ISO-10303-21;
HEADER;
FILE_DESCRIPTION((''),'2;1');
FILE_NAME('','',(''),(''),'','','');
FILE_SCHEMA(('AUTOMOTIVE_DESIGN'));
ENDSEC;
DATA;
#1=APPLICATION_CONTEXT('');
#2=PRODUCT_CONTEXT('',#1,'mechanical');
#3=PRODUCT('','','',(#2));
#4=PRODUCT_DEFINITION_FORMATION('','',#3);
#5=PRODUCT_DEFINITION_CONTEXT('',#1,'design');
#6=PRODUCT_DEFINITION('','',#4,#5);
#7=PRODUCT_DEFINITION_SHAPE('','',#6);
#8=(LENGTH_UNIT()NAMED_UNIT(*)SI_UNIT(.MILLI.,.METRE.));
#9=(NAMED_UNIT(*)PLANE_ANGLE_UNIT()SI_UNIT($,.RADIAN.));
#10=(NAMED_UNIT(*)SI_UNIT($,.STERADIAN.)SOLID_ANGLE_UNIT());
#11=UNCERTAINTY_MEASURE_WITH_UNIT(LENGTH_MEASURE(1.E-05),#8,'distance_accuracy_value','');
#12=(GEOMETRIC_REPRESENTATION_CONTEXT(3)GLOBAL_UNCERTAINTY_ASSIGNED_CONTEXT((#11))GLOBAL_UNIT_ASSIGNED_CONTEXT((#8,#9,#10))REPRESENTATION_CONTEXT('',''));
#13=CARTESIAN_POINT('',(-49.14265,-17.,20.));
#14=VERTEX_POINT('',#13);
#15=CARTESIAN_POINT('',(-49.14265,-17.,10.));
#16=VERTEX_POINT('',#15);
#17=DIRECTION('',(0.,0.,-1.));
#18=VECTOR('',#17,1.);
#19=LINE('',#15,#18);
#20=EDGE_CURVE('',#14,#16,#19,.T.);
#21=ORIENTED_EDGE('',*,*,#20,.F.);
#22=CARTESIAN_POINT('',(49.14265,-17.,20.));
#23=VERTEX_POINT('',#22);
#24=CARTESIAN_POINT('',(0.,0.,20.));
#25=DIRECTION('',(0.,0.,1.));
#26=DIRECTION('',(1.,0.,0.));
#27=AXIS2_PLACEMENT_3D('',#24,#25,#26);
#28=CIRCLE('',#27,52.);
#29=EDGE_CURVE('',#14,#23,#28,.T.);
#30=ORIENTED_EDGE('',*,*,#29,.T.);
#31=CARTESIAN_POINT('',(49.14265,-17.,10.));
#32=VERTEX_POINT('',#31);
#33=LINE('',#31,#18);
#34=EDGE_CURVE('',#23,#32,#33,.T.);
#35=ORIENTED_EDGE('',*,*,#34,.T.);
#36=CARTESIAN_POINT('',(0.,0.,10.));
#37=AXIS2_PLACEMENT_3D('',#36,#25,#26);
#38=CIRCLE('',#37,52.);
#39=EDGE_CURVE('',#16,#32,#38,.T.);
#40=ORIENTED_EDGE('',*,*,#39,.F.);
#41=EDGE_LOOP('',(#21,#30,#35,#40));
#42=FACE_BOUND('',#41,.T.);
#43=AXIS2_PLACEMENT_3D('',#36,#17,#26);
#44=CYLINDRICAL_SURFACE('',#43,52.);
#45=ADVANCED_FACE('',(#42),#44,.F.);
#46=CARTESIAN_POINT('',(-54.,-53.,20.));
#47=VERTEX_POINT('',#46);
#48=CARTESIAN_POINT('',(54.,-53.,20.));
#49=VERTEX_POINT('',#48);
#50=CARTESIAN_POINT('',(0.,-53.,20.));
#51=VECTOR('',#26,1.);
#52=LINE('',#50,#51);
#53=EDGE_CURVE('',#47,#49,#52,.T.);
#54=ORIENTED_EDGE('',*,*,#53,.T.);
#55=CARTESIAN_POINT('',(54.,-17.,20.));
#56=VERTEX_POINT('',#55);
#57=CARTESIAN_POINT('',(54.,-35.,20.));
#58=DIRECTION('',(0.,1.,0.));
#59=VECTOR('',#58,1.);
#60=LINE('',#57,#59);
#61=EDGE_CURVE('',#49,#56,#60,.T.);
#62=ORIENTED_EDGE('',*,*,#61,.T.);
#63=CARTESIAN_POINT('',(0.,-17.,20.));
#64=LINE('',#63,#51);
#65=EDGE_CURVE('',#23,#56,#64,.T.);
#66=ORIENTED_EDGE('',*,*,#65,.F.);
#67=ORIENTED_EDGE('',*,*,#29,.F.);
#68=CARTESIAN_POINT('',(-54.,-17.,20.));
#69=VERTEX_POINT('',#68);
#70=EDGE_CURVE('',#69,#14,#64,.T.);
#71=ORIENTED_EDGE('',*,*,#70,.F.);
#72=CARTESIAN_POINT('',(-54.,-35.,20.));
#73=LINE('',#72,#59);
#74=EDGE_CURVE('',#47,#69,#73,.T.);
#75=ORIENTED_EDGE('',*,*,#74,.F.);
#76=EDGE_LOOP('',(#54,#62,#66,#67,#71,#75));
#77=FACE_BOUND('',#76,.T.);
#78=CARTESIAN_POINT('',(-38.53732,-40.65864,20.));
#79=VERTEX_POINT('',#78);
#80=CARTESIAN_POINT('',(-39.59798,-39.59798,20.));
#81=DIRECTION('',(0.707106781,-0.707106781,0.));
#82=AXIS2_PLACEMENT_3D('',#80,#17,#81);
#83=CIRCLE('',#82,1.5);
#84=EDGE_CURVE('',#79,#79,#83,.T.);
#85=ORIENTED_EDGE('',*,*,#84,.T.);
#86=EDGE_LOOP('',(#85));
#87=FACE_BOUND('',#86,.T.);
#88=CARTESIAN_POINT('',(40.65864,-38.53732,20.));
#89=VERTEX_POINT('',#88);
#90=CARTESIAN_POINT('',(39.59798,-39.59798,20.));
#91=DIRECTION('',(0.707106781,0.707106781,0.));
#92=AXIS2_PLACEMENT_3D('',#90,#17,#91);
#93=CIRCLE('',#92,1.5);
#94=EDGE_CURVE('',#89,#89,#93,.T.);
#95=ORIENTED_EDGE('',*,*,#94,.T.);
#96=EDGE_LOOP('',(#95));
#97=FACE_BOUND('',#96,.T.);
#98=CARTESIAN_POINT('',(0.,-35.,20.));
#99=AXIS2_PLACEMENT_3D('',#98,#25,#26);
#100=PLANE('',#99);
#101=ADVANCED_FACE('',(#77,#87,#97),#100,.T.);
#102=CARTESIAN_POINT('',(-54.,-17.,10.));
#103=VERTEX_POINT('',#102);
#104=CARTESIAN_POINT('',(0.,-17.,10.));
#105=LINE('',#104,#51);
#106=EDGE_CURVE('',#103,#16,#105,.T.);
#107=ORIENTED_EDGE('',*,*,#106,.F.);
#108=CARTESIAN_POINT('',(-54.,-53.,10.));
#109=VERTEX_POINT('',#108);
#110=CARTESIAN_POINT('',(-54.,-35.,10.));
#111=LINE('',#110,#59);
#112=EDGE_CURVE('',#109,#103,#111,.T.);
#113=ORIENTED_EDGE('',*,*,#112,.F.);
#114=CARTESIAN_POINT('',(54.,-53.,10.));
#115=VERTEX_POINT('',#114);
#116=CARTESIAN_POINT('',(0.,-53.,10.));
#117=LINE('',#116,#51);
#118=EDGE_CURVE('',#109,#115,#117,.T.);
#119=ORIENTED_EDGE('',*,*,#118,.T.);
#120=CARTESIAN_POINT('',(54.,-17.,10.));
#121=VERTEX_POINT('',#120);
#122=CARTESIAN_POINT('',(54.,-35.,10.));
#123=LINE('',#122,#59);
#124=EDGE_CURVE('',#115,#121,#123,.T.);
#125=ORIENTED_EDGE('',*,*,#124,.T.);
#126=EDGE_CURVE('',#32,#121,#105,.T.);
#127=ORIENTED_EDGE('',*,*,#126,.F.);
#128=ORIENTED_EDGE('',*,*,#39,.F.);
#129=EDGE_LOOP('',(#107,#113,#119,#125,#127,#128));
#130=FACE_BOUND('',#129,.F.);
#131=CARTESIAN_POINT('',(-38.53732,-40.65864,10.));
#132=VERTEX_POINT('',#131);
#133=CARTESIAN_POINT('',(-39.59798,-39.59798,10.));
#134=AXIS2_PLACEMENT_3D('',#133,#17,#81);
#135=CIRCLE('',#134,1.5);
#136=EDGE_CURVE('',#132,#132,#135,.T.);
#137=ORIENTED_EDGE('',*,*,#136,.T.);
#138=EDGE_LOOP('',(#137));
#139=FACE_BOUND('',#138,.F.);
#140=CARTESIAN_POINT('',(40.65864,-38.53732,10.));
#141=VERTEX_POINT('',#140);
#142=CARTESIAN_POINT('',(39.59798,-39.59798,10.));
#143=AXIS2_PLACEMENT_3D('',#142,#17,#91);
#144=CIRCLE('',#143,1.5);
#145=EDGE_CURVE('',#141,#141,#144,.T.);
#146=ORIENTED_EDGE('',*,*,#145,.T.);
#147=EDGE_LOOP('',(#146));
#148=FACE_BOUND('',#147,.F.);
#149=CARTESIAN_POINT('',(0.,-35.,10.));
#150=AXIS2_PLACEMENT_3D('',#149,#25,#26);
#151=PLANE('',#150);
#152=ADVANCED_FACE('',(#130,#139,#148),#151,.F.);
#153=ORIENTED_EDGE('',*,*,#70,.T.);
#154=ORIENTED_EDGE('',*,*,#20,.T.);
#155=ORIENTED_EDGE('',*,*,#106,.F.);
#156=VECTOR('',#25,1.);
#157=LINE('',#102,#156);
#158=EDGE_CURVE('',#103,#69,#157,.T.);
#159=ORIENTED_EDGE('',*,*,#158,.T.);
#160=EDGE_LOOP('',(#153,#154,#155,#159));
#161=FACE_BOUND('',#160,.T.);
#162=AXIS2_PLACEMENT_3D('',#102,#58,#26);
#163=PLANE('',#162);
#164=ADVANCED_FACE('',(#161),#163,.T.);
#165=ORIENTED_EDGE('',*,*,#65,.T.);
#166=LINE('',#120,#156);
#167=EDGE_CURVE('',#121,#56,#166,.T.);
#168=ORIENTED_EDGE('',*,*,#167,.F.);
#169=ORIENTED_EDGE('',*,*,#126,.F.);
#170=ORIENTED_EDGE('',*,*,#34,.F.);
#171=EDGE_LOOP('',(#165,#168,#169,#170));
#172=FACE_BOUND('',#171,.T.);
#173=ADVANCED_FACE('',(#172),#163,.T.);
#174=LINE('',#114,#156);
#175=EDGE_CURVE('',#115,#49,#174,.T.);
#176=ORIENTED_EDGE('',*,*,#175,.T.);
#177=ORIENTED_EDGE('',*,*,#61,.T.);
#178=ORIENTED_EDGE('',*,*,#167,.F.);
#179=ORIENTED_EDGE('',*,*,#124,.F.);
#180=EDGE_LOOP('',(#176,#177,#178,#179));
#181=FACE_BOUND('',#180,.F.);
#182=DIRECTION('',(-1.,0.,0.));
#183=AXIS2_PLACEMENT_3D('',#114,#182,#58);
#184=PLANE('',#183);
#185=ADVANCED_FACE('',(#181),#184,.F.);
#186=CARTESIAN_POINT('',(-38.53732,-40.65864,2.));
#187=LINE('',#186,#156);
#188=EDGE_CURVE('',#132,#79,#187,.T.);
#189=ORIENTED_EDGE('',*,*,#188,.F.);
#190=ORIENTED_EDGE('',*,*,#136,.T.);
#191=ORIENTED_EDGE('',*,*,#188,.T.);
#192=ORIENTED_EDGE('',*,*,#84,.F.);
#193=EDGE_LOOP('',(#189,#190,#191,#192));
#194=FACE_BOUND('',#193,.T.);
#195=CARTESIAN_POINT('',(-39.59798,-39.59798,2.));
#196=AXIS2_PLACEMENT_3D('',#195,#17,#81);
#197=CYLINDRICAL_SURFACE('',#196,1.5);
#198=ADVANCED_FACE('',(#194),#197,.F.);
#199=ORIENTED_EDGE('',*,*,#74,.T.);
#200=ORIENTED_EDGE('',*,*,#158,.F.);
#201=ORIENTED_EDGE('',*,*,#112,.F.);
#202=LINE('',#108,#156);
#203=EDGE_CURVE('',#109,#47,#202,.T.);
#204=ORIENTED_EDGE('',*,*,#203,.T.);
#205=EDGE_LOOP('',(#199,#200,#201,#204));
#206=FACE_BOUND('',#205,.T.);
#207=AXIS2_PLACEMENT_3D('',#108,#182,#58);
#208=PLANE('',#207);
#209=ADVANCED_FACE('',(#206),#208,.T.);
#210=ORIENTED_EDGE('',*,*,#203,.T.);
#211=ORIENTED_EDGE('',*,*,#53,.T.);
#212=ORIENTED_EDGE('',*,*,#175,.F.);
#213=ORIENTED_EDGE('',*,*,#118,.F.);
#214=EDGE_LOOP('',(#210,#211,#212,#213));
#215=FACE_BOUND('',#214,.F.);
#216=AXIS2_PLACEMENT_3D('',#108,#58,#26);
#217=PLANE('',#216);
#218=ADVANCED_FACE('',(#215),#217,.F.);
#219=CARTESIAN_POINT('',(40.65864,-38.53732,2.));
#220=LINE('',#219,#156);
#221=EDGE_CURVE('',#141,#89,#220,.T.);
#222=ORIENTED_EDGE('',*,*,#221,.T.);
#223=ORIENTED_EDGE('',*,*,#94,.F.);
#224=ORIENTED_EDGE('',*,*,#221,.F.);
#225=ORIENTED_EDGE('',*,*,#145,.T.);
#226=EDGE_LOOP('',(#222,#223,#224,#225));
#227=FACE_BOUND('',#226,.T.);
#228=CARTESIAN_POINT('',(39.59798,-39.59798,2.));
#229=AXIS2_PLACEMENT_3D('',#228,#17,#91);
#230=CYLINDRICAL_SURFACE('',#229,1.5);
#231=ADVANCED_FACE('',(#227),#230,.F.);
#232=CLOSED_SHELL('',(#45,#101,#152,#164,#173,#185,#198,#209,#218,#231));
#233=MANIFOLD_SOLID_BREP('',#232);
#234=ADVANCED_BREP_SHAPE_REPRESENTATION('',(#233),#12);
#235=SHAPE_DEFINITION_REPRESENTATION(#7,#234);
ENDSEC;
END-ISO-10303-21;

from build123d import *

# Parameters (mm, degrees)
CYLINDER875_R               = 1.5
CYLINDER875_DEPTH           = 20
CYLINDER875_PLACEMENT_ANGLE = 45
CYLINDER866_R               = 1.5
CYLINDER866_DEPTH           = 20
CYLINDER869_R               = 1.5
CYLINDER869_DEPTH           = 20
CYLINDER869_PLACEMENT_ANGLE = 135
CYLINDER372_R               = 1.5
CYLINDER372_DEPTH           = 20
CYLINDER377_R               = 1.5
CYLINDER377_DEPTH           = 20
CYLINDER377_PLACEMENT_ANGLE = 225
CYLINDER876_R               = 1.5
CYLINDER876_DEPTH           = 20
CYLINDER873_R               = 1.5
CYLINDER873_DEPTH           = 20
CYLINDER873_PLACEMENT_ANGLE = 45
CYLINDER874_R               = 1.5
CYLINDER874_DEPTH           = 20
CYLINDER867_R               = 52
CYLINDER867_DEPTH           = 10
BOX134_W                    = 108
BOX134_H                    = 36
BOX134_DEPTH                = 10


with BuildPart() as v_lec875:
    # Cylinder875 → Cylinder875 (new body)
    with BuildSketch(Plane.XY):
        Circle(CYLINDER875_R)
    extrude(amount=CYLINDER875_DEPTH)


with BuildPart() as v_lec875_1:
    # Cylinder875 placement: moved
    add(v_lec875.part.moved(Location((39.59798, -39.59798, 2))).rotate(Axis((39.59798, -39.59798, 2), (0, 0, 1)), CYLINDER875_PLACEMENT_ANGLE))


with BuildPart() as v_lec866:
    # Cylinder866 → Cylinder866 (new body)
    with BuildSketch(Plane(origin=(56, 0, 2), x_dir=(0, 1, 0), z_dir=(0, 0, 1))):
        Circle(CYLINDER866_R)
    extrude(amount=CYLINDER866_DEPTH)


with BuildPart() as v_lec869:
    # Cylinder869 → Cylinder869 (new body)
    with BuildSketch(Plane.XY):
        Circle(CYLINDER869_R)
    extrude(amount=CYLINDER869_DEPTH)


with BuildPart() as v_lec869_1:
    # Cylinder869 placement: moved
    add(v_lec869.part.moved(Location((39.59798, 39.59798, 2))).rotate(Axis((39.59798, 39.59798, 2), (0, 0, 1)), CYLINDER869_PLACEMENT_ANGLE))


with BuildPart() as v_lec372:
    # Cylinder372 → Cylinder372 (new body)
    with BuildSketch(Plane(origin=(0, 56, 2), x_dir=(-1, 0, 0), z_dir=(0, 0, 1))):
        Circle(CYLINDER372_R)
    extrude(amount=CYLINDER372_DEPTH)


with BuildPart() as v_lec377:
    # Cylinder377 → Cylinder377 (new body)
    with BuildSketch(Plane.XY):
        Circle(CYLINDER377_R)
    extrude(amount=CYLINDER377_DEPTH)


with BuildPart() as v_lec377_1:
    # Cylinder377 placement: moved
    add(v_lec377.part.moved(Location((-39.59798, 39.59798, 2))).rotate(Axis((-39.59798, 39.59798, 2), (0, 0, 1)), CYLINDER377_PLACEMENT_ANGLE))


with BuildPart() as v_lec876:
    # Cylinder876 → Cylinder876 (new body)
    with BuildSketch(Plane(origin=(-56, 0, 2), x_dir=(0, -1, 0), z_dir=(0, 0, 1))):
        Circle(CYLINDER876_R)
    extrude(amount=CYLINDER876_DEPTH)


with BuildPart() as v_lec873:
    # Cylinder873 → Cylinder873 (new body)
    with BuildSketch(Plane.XY):
        Circle(CYLINDER873_R)
    extrude(amount=CYLINDER873_DEPTH)


with BuildPart() as v_lec873_1:
    # Cylinder873 placement: moved
    add(v_lec873.part.moved(Location((-39.59798, -39.59798, 2))).rotate(Axis((-39.59798, -39.59798, 2), (0, 0, -1)), CYLINDER873_PLACEMENT_ANGLE))


with BuildPart() as compound262:
    # Cylinder874 → Cylinder874 (new body)
    with BuildSketch(Plane(origin=(0, -56, 2), x_dir=(1, 0, 0), z_dir=(0, 0, 1))):
        Circle(CYLINDER874_R)
    extrude(amount=CYLINDER874_DEPTH)

    # Compound262: union Válec875, Válec866, Válec869, Válec372, Válec377, Válec876, Válec873
    add(v_lec875_1.part)
    add(v_lec866.part)
    add(v_lec869_1.part)
    add(v_lec372.part)
    add(v_lec377_1.part)
    add(v_lec876.part)
    add(v_lec873_1.part)


with BuildPart() as v_lec867:
    # Cylinder867 → Cylinder867 (new body)
    with BuildSketch(Plane.XY.offset(20)):
        Circle(CYLINDER867_R)
    extrude(amount=CYLINDER867_DEPTH)


with BuildPart() as cut151:
    # Box134 → Box134 (new body)
    with BuildSketch(Plane(origin=(-54, -53, 20), x_dir=(1, 0, 0), z_dir=(0, 0, 1))):
        with Locations((54, 18)):
            Rectangle(BOX134_W, BOX134_H)
    extrude(amount=BOX134_DEPTH)

    # Cut152: cut Válec867
    add(v_lec867.part, mode=Mode.SUBTRACT)


with BuildPart() as cut151_1:
    # Cut152 placement: moved
    add(cut151.part.moved(Location((0, 0, -10))))

    # Cut151: cut Compound262
    add(compound262.part, mode=Mode.SUBTRACT)


solid = cut151_1.part
